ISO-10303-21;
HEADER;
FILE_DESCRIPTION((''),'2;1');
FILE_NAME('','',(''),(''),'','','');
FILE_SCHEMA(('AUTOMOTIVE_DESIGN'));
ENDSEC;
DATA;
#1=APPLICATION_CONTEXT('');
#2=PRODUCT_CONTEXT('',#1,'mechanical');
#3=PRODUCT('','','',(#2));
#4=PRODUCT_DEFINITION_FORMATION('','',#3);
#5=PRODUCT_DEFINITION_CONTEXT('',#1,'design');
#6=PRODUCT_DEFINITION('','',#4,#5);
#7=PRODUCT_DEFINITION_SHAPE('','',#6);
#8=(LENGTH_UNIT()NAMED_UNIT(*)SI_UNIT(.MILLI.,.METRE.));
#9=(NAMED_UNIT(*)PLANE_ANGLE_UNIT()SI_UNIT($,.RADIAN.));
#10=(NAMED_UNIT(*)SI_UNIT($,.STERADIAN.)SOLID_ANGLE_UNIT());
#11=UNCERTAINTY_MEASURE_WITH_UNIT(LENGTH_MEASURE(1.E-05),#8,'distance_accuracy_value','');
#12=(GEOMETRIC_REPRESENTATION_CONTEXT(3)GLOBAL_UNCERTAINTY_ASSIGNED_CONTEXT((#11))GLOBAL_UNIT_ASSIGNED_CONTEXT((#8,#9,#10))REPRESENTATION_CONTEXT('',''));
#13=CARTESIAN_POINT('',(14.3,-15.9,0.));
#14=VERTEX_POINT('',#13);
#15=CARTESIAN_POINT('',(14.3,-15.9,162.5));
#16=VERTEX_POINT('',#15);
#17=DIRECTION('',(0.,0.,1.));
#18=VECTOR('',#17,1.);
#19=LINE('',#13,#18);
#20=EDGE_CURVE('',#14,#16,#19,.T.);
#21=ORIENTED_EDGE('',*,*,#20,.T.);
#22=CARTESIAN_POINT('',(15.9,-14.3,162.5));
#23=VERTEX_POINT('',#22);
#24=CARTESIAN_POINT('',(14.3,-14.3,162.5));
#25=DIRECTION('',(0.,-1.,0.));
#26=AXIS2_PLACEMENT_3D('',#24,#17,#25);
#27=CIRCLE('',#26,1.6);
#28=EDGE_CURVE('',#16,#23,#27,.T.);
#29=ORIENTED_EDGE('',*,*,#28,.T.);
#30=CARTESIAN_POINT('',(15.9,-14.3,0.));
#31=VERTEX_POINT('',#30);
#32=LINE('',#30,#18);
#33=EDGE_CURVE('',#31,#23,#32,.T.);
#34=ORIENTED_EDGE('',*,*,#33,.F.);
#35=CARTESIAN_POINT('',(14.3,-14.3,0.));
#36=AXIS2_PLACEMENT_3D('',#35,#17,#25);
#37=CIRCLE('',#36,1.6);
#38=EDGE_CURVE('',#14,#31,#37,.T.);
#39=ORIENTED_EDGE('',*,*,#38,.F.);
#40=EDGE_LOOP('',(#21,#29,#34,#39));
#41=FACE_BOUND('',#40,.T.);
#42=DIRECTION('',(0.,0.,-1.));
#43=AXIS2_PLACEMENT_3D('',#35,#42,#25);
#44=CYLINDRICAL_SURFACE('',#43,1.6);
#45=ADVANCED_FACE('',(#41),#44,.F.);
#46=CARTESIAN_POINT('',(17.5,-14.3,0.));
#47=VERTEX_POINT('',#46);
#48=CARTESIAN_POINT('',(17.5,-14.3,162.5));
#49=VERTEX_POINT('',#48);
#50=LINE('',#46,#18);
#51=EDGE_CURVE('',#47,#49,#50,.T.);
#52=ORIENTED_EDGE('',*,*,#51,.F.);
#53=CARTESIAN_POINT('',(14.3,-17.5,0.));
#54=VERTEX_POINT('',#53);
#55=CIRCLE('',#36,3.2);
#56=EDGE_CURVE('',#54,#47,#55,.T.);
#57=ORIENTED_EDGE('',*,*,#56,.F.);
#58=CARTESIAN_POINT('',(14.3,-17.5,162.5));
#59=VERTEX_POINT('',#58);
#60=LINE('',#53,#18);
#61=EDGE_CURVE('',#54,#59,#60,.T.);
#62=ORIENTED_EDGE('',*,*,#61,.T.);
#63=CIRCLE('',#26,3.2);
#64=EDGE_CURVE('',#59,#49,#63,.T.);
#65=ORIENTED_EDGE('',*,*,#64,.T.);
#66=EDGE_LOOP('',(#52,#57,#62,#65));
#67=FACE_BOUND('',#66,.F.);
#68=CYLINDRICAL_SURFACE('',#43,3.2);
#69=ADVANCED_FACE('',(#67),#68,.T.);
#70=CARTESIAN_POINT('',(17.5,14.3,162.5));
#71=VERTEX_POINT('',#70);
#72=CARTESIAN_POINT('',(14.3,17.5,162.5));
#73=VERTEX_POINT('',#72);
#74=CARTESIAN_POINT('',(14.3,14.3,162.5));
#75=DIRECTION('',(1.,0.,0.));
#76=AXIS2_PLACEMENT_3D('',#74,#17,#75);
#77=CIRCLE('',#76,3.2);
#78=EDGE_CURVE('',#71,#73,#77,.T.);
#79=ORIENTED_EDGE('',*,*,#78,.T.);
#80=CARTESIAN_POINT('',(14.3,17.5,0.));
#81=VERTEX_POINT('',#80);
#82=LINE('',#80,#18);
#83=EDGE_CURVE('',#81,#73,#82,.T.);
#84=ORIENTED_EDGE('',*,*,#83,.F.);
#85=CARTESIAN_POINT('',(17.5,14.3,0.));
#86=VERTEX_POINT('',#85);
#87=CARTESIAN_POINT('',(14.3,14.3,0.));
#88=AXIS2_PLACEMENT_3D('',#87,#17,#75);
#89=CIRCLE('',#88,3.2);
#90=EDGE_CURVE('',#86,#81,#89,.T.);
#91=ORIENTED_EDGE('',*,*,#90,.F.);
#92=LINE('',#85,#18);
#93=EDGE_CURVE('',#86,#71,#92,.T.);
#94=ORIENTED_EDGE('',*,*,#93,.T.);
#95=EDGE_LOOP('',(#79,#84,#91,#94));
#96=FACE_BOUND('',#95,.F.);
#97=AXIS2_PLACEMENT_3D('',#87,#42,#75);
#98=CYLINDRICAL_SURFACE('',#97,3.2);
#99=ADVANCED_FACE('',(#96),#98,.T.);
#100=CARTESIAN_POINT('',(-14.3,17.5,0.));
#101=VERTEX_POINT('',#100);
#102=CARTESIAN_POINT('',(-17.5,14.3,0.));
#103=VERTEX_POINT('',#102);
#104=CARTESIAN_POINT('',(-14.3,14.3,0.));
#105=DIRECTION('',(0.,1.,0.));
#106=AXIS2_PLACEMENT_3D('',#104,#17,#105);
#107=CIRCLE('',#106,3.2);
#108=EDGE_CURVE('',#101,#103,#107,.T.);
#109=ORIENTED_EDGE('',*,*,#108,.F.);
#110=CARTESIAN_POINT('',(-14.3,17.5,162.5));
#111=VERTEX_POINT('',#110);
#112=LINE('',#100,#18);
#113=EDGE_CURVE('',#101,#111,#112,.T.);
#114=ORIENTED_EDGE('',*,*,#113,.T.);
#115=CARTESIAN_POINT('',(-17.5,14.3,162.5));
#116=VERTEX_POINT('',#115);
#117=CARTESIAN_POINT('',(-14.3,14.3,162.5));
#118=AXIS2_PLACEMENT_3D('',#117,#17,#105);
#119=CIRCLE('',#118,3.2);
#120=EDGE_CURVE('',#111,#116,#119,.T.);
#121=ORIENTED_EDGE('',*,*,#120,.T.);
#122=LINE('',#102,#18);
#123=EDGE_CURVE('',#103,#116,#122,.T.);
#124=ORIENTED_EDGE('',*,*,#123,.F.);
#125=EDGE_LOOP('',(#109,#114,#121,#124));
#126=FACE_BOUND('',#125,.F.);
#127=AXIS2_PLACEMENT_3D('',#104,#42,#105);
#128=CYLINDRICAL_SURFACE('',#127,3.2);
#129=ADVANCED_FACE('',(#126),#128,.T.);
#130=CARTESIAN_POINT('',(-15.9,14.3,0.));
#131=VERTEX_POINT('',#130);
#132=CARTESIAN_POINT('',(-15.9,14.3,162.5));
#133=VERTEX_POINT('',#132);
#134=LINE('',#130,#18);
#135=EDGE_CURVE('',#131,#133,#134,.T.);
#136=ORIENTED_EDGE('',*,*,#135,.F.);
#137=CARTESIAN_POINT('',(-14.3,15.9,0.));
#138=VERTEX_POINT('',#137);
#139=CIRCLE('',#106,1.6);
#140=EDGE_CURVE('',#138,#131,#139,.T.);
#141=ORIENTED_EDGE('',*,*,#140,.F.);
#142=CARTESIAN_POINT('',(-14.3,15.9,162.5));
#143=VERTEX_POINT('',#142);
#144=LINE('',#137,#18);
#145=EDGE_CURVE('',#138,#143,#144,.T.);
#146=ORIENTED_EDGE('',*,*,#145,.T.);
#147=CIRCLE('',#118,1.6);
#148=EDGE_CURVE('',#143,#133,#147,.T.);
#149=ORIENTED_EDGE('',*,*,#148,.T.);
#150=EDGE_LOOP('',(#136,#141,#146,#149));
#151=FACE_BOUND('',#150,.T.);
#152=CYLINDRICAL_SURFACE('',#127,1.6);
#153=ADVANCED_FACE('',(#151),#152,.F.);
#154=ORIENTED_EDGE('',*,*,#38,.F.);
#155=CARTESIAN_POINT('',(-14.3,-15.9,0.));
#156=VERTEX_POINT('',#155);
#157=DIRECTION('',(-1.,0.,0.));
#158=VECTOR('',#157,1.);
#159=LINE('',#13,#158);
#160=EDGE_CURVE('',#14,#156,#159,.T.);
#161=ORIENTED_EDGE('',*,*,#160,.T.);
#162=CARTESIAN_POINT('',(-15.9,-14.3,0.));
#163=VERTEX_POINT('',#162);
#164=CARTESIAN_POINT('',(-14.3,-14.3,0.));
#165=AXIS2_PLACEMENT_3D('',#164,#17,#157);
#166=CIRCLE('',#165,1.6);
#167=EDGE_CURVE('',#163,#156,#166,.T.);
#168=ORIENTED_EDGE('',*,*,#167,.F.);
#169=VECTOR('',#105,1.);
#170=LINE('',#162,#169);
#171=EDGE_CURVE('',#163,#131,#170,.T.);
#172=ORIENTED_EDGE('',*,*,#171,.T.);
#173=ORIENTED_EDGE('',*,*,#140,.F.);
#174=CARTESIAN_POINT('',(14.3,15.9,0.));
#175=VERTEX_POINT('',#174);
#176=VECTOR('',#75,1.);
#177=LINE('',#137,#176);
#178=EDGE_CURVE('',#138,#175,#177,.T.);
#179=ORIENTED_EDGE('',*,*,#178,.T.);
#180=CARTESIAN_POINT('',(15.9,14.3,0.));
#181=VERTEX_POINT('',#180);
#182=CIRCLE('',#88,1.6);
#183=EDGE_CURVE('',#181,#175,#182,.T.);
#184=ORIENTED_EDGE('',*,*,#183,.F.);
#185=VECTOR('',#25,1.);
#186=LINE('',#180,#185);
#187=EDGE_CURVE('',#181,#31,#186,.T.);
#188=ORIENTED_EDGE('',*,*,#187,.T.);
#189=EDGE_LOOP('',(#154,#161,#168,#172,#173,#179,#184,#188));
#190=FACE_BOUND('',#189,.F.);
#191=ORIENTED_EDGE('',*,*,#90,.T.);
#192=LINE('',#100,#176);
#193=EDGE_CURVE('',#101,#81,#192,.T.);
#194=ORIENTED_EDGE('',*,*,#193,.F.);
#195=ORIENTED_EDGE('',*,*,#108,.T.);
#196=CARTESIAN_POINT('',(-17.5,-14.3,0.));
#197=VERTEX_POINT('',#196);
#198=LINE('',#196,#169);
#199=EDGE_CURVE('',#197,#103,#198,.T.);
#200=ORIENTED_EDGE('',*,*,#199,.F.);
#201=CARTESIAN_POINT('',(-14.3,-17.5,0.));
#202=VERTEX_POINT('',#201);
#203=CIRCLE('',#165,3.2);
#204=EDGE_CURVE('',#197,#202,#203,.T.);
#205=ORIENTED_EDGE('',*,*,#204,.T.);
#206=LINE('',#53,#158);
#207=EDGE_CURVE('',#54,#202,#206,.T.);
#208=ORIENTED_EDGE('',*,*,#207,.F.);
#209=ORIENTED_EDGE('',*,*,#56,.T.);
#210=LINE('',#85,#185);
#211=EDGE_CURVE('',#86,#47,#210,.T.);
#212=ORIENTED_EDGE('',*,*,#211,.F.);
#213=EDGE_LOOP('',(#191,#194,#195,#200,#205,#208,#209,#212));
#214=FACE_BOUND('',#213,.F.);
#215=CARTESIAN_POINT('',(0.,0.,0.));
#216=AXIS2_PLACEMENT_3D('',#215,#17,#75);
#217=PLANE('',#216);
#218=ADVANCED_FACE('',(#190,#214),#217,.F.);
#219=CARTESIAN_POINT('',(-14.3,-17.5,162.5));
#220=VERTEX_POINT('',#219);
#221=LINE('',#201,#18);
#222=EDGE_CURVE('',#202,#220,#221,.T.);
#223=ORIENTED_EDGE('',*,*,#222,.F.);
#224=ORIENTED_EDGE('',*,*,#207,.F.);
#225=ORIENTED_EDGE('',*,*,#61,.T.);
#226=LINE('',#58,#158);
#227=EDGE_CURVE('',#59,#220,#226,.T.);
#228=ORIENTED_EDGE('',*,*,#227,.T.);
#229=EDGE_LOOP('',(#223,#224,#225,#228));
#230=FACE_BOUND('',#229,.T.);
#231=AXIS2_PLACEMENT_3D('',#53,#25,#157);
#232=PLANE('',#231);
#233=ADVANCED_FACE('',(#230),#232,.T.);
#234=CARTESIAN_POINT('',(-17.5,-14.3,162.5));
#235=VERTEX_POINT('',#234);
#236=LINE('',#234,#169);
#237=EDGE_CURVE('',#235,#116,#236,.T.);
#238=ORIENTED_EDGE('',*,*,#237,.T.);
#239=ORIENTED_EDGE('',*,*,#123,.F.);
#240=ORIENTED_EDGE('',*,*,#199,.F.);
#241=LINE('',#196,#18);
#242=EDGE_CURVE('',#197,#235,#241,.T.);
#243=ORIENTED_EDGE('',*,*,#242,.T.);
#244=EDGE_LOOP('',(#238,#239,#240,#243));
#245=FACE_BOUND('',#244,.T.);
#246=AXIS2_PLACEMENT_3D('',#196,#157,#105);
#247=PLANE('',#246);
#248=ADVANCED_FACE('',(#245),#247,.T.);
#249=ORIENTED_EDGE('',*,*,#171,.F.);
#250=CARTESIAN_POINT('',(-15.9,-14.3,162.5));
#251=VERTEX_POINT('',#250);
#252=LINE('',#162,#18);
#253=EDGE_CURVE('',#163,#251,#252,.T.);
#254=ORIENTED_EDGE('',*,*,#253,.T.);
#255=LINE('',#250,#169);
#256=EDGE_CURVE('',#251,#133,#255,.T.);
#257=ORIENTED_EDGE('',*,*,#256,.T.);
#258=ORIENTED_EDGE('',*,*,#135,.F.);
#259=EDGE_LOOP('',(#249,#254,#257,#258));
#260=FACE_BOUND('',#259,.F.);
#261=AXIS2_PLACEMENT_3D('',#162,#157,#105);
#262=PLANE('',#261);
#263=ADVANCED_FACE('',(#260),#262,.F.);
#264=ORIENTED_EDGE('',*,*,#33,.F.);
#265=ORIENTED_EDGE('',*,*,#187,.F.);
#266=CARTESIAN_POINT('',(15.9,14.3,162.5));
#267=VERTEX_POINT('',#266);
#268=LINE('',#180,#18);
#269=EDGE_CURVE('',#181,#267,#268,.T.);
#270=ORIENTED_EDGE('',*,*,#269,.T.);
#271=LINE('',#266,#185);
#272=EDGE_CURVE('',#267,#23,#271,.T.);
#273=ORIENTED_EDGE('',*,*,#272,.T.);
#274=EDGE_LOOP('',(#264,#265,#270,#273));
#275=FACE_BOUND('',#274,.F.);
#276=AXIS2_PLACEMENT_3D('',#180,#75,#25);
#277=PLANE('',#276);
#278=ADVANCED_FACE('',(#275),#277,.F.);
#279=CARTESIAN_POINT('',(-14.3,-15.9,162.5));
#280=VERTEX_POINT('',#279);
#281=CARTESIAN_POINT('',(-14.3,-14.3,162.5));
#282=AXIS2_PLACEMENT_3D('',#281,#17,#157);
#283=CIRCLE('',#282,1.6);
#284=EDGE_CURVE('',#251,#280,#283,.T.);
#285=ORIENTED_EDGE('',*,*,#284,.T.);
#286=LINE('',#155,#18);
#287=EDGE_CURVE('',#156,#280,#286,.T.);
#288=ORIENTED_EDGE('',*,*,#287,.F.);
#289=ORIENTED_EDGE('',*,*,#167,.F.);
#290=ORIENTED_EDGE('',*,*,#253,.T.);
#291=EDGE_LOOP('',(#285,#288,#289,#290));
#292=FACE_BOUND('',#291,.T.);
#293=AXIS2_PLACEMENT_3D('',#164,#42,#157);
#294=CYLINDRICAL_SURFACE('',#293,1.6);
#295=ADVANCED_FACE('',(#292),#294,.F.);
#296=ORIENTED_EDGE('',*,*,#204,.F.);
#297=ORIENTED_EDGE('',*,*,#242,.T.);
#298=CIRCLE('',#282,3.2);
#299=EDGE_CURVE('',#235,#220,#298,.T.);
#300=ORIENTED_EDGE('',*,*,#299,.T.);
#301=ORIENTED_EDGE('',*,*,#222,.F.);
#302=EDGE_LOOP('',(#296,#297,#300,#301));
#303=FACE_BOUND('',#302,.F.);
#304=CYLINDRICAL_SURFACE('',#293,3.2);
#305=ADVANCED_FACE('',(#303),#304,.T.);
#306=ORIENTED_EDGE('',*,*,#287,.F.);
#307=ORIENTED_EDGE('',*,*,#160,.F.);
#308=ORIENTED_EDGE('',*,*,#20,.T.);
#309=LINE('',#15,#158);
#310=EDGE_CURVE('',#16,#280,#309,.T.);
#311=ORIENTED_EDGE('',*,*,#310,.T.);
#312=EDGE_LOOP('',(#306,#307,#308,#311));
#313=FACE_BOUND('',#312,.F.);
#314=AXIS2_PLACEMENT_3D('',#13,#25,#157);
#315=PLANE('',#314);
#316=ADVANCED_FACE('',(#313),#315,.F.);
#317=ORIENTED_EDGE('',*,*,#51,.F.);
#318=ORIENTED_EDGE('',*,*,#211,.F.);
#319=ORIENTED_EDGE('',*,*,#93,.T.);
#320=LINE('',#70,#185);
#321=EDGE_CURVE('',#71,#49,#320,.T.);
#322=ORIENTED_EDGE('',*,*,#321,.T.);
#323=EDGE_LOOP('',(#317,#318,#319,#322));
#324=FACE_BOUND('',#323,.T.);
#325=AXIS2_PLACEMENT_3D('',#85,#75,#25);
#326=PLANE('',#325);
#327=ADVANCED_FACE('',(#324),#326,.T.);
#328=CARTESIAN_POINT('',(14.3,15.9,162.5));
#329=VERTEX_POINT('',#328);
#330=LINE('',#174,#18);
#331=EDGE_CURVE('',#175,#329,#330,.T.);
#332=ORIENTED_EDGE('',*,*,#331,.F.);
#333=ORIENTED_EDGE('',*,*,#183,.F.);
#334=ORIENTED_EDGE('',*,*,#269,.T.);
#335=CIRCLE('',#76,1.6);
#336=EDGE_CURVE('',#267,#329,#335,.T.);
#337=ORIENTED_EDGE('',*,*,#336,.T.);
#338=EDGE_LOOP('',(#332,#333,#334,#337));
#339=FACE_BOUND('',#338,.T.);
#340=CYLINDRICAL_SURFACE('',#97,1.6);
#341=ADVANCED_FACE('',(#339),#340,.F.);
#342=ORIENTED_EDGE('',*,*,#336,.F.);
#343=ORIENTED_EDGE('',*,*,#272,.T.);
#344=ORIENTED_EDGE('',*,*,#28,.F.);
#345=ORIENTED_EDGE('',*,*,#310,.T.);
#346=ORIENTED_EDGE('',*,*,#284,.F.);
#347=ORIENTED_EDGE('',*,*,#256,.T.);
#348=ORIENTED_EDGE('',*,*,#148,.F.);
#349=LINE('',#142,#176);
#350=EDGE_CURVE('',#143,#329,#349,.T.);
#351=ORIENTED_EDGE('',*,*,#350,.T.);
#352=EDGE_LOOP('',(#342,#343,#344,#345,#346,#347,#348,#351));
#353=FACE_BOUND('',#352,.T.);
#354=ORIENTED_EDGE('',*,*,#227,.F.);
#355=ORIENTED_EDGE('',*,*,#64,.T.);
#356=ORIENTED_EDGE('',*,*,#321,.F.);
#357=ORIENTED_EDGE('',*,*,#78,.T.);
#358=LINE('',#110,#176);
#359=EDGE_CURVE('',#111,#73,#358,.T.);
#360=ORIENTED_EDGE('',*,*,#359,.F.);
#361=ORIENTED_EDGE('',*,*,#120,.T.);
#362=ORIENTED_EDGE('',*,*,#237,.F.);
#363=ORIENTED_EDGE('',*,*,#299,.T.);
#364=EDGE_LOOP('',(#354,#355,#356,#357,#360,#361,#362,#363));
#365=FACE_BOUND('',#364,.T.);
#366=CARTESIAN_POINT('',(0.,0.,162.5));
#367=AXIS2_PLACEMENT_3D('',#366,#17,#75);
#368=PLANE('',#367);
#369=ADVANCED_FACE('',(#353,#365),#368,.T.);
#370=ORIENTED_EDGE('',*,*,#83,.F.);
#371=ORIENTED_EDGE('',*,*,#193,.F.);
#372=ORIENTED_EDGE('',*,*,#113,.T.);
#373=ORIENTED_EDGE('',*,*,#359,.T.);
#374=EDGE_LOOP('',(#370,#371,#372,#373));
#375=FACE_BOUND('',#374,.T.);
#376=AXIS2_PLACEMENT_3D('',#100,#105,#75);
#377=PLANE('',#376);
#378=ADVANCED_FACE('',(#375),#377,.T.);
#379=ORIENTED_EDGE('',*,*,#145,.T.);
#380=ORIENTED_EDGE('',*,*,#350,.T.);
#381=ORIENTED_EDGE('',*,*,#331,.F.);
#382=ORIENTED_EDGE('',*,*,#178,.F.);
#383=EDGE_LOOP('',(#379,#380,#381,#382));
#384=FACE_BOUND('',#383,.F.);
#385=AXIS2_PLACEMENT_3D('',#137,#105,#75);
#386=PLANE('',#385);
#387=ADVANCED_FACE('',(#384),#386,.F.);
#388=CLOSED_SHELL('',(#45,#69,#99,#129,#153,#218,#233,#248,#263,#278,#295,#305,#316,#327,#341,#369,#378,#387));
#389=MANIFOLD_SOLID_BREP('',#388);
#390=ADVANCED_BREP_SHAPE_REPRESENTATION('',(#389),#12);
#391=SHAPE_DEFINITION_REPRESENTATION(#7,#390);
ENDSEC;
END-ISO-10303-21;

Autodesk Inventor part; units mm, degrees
ref_plane "Start plane" through (0, 0, 0) normal (0, 0, 1) x (1, 0, 0)
ref_plane "End plane" through (0, 0, 162.5) normal (0, 0, 1) x (1, 0, 0)
sketch "Sketch" plane through (0, 0, 0) normal (0, 0, 1) x (1, 0, 0)
  line L0 (-17.5, -14.3) -> (-17.5, 14.3)
  line L1 (-14.3, 17.5) -> (14.3, 17.5)
  line L2 (17.5, 14.3) -> (17.5, -14.3)
  line L3 (14.3, -17.5) -> (-14.3, -17.5)
  arc A0 (-17.5, -14.3) -> (-14.3, -17.5) centre (-14.3, -14.3) ccw
  arc A1 (-14.3, 17.5) -> (-17.5, 14.3) centre (-14.3, 14.3) ccw
  arc A2 (17.5, 14.3) -> (14.3, 17.5) centre (14.3, 14.3) ccw
  arc A3 (14.3, -17.5) -> (17.5, -14.3) centre (14.3, -14.3) ccw
  arc A4 (-14.3, 15.9) -> (-15.9, 14.3) centre (-14.3, 14.3) ccw
  line L4 (-14.3, 15.9) -> (14.3, 15.9)
  arc A5 (15.9, 14.3) -> (14.3, 15.9) centre (14.3, 14.3) ccw
  line L5 (15.9, 14.3) -> (15.9, -14.3)
  arc A6 (14.3, -15.9) -> (15.9, -14.3) centre (14.3, -14.3) ccw
  line L6 (14.3, -15.9) -> (-14.3, -15.9)
  arc A7 (-15.9, -14.3) -> (-14.3, -15.9) centre (-14.3, -14.3) ccw
  line L7 (-15.9, -14.3) -> (-15.9, 14.3)
  line L8 (0, 25.4278) -> (0, -25.4278) construction
  line L9 (-25.4278, 0) -> (25.4278, 0) construction
  dimension "d7" = 3.2
  dimension "d10" = 35
  dimension "d11" = 35
  dimension "d12" = 1.6
  dimension "d15" = 17.5
  dimension "d16" = 17.5
extrude "Body" add sketch "Sketch" along normal up to surface (162.5 mm away) from surface at 0
sketch "Sketch3" plane through (0, 0, 0) normal (0, 0, 1) x (1, 0, 0)
  line L0 (0, 0) -> (10, 0)
ref_plane "Work Plane3" through (0, 0, 0) normal (0, -1, 0) x (1, 0, 0)
sketch "Sketch4" plane through (0, 0, 0) normal (0, -1, 0) x (1, 0, 0)
  line L0 (-2, 0) -> (12, 0)
  line L1 (-2, 162.5) -> (12, 162.5)
  dimension "d18" = 162.5
ref_plane "Work Plane4" through (-730, 0, 162.5) normal (0, 0, 1) x (1, 0, 0)
split "Split1" plane through (-730, 0, 162.5) removes the side toward (0, 0, 1)
equation "\"d7\" = G_IR"
equation "\"d10\" = G_H"
equation "\"d11\" = G_W"
equation "\"d12\" = G_T"
equation "\"d15\" = 0.5 * d10"
equation "\"d16\" = 0.5 * d11"
equation "\"d3\" = G_L"
equation "\"G_W\" = 35"
equation "\"G_H\" = 35"
equation "\"G_T\" = 1.6"
equation "\"G_IR\" = 3.2"
equation "\"G_L\" = d18"
equation "\"G_OFFSET_START\" = 0"
equation "\"G_OFFSET_END\" = -17.5"
equation "\"d14\" = G_OFFSET_END + B_L"
equation "\"B_L\" = 180"
properties part number "AS 1163 - C350L0 35x35x1.6 SHS - 162.5" material "Steel, Mild"
